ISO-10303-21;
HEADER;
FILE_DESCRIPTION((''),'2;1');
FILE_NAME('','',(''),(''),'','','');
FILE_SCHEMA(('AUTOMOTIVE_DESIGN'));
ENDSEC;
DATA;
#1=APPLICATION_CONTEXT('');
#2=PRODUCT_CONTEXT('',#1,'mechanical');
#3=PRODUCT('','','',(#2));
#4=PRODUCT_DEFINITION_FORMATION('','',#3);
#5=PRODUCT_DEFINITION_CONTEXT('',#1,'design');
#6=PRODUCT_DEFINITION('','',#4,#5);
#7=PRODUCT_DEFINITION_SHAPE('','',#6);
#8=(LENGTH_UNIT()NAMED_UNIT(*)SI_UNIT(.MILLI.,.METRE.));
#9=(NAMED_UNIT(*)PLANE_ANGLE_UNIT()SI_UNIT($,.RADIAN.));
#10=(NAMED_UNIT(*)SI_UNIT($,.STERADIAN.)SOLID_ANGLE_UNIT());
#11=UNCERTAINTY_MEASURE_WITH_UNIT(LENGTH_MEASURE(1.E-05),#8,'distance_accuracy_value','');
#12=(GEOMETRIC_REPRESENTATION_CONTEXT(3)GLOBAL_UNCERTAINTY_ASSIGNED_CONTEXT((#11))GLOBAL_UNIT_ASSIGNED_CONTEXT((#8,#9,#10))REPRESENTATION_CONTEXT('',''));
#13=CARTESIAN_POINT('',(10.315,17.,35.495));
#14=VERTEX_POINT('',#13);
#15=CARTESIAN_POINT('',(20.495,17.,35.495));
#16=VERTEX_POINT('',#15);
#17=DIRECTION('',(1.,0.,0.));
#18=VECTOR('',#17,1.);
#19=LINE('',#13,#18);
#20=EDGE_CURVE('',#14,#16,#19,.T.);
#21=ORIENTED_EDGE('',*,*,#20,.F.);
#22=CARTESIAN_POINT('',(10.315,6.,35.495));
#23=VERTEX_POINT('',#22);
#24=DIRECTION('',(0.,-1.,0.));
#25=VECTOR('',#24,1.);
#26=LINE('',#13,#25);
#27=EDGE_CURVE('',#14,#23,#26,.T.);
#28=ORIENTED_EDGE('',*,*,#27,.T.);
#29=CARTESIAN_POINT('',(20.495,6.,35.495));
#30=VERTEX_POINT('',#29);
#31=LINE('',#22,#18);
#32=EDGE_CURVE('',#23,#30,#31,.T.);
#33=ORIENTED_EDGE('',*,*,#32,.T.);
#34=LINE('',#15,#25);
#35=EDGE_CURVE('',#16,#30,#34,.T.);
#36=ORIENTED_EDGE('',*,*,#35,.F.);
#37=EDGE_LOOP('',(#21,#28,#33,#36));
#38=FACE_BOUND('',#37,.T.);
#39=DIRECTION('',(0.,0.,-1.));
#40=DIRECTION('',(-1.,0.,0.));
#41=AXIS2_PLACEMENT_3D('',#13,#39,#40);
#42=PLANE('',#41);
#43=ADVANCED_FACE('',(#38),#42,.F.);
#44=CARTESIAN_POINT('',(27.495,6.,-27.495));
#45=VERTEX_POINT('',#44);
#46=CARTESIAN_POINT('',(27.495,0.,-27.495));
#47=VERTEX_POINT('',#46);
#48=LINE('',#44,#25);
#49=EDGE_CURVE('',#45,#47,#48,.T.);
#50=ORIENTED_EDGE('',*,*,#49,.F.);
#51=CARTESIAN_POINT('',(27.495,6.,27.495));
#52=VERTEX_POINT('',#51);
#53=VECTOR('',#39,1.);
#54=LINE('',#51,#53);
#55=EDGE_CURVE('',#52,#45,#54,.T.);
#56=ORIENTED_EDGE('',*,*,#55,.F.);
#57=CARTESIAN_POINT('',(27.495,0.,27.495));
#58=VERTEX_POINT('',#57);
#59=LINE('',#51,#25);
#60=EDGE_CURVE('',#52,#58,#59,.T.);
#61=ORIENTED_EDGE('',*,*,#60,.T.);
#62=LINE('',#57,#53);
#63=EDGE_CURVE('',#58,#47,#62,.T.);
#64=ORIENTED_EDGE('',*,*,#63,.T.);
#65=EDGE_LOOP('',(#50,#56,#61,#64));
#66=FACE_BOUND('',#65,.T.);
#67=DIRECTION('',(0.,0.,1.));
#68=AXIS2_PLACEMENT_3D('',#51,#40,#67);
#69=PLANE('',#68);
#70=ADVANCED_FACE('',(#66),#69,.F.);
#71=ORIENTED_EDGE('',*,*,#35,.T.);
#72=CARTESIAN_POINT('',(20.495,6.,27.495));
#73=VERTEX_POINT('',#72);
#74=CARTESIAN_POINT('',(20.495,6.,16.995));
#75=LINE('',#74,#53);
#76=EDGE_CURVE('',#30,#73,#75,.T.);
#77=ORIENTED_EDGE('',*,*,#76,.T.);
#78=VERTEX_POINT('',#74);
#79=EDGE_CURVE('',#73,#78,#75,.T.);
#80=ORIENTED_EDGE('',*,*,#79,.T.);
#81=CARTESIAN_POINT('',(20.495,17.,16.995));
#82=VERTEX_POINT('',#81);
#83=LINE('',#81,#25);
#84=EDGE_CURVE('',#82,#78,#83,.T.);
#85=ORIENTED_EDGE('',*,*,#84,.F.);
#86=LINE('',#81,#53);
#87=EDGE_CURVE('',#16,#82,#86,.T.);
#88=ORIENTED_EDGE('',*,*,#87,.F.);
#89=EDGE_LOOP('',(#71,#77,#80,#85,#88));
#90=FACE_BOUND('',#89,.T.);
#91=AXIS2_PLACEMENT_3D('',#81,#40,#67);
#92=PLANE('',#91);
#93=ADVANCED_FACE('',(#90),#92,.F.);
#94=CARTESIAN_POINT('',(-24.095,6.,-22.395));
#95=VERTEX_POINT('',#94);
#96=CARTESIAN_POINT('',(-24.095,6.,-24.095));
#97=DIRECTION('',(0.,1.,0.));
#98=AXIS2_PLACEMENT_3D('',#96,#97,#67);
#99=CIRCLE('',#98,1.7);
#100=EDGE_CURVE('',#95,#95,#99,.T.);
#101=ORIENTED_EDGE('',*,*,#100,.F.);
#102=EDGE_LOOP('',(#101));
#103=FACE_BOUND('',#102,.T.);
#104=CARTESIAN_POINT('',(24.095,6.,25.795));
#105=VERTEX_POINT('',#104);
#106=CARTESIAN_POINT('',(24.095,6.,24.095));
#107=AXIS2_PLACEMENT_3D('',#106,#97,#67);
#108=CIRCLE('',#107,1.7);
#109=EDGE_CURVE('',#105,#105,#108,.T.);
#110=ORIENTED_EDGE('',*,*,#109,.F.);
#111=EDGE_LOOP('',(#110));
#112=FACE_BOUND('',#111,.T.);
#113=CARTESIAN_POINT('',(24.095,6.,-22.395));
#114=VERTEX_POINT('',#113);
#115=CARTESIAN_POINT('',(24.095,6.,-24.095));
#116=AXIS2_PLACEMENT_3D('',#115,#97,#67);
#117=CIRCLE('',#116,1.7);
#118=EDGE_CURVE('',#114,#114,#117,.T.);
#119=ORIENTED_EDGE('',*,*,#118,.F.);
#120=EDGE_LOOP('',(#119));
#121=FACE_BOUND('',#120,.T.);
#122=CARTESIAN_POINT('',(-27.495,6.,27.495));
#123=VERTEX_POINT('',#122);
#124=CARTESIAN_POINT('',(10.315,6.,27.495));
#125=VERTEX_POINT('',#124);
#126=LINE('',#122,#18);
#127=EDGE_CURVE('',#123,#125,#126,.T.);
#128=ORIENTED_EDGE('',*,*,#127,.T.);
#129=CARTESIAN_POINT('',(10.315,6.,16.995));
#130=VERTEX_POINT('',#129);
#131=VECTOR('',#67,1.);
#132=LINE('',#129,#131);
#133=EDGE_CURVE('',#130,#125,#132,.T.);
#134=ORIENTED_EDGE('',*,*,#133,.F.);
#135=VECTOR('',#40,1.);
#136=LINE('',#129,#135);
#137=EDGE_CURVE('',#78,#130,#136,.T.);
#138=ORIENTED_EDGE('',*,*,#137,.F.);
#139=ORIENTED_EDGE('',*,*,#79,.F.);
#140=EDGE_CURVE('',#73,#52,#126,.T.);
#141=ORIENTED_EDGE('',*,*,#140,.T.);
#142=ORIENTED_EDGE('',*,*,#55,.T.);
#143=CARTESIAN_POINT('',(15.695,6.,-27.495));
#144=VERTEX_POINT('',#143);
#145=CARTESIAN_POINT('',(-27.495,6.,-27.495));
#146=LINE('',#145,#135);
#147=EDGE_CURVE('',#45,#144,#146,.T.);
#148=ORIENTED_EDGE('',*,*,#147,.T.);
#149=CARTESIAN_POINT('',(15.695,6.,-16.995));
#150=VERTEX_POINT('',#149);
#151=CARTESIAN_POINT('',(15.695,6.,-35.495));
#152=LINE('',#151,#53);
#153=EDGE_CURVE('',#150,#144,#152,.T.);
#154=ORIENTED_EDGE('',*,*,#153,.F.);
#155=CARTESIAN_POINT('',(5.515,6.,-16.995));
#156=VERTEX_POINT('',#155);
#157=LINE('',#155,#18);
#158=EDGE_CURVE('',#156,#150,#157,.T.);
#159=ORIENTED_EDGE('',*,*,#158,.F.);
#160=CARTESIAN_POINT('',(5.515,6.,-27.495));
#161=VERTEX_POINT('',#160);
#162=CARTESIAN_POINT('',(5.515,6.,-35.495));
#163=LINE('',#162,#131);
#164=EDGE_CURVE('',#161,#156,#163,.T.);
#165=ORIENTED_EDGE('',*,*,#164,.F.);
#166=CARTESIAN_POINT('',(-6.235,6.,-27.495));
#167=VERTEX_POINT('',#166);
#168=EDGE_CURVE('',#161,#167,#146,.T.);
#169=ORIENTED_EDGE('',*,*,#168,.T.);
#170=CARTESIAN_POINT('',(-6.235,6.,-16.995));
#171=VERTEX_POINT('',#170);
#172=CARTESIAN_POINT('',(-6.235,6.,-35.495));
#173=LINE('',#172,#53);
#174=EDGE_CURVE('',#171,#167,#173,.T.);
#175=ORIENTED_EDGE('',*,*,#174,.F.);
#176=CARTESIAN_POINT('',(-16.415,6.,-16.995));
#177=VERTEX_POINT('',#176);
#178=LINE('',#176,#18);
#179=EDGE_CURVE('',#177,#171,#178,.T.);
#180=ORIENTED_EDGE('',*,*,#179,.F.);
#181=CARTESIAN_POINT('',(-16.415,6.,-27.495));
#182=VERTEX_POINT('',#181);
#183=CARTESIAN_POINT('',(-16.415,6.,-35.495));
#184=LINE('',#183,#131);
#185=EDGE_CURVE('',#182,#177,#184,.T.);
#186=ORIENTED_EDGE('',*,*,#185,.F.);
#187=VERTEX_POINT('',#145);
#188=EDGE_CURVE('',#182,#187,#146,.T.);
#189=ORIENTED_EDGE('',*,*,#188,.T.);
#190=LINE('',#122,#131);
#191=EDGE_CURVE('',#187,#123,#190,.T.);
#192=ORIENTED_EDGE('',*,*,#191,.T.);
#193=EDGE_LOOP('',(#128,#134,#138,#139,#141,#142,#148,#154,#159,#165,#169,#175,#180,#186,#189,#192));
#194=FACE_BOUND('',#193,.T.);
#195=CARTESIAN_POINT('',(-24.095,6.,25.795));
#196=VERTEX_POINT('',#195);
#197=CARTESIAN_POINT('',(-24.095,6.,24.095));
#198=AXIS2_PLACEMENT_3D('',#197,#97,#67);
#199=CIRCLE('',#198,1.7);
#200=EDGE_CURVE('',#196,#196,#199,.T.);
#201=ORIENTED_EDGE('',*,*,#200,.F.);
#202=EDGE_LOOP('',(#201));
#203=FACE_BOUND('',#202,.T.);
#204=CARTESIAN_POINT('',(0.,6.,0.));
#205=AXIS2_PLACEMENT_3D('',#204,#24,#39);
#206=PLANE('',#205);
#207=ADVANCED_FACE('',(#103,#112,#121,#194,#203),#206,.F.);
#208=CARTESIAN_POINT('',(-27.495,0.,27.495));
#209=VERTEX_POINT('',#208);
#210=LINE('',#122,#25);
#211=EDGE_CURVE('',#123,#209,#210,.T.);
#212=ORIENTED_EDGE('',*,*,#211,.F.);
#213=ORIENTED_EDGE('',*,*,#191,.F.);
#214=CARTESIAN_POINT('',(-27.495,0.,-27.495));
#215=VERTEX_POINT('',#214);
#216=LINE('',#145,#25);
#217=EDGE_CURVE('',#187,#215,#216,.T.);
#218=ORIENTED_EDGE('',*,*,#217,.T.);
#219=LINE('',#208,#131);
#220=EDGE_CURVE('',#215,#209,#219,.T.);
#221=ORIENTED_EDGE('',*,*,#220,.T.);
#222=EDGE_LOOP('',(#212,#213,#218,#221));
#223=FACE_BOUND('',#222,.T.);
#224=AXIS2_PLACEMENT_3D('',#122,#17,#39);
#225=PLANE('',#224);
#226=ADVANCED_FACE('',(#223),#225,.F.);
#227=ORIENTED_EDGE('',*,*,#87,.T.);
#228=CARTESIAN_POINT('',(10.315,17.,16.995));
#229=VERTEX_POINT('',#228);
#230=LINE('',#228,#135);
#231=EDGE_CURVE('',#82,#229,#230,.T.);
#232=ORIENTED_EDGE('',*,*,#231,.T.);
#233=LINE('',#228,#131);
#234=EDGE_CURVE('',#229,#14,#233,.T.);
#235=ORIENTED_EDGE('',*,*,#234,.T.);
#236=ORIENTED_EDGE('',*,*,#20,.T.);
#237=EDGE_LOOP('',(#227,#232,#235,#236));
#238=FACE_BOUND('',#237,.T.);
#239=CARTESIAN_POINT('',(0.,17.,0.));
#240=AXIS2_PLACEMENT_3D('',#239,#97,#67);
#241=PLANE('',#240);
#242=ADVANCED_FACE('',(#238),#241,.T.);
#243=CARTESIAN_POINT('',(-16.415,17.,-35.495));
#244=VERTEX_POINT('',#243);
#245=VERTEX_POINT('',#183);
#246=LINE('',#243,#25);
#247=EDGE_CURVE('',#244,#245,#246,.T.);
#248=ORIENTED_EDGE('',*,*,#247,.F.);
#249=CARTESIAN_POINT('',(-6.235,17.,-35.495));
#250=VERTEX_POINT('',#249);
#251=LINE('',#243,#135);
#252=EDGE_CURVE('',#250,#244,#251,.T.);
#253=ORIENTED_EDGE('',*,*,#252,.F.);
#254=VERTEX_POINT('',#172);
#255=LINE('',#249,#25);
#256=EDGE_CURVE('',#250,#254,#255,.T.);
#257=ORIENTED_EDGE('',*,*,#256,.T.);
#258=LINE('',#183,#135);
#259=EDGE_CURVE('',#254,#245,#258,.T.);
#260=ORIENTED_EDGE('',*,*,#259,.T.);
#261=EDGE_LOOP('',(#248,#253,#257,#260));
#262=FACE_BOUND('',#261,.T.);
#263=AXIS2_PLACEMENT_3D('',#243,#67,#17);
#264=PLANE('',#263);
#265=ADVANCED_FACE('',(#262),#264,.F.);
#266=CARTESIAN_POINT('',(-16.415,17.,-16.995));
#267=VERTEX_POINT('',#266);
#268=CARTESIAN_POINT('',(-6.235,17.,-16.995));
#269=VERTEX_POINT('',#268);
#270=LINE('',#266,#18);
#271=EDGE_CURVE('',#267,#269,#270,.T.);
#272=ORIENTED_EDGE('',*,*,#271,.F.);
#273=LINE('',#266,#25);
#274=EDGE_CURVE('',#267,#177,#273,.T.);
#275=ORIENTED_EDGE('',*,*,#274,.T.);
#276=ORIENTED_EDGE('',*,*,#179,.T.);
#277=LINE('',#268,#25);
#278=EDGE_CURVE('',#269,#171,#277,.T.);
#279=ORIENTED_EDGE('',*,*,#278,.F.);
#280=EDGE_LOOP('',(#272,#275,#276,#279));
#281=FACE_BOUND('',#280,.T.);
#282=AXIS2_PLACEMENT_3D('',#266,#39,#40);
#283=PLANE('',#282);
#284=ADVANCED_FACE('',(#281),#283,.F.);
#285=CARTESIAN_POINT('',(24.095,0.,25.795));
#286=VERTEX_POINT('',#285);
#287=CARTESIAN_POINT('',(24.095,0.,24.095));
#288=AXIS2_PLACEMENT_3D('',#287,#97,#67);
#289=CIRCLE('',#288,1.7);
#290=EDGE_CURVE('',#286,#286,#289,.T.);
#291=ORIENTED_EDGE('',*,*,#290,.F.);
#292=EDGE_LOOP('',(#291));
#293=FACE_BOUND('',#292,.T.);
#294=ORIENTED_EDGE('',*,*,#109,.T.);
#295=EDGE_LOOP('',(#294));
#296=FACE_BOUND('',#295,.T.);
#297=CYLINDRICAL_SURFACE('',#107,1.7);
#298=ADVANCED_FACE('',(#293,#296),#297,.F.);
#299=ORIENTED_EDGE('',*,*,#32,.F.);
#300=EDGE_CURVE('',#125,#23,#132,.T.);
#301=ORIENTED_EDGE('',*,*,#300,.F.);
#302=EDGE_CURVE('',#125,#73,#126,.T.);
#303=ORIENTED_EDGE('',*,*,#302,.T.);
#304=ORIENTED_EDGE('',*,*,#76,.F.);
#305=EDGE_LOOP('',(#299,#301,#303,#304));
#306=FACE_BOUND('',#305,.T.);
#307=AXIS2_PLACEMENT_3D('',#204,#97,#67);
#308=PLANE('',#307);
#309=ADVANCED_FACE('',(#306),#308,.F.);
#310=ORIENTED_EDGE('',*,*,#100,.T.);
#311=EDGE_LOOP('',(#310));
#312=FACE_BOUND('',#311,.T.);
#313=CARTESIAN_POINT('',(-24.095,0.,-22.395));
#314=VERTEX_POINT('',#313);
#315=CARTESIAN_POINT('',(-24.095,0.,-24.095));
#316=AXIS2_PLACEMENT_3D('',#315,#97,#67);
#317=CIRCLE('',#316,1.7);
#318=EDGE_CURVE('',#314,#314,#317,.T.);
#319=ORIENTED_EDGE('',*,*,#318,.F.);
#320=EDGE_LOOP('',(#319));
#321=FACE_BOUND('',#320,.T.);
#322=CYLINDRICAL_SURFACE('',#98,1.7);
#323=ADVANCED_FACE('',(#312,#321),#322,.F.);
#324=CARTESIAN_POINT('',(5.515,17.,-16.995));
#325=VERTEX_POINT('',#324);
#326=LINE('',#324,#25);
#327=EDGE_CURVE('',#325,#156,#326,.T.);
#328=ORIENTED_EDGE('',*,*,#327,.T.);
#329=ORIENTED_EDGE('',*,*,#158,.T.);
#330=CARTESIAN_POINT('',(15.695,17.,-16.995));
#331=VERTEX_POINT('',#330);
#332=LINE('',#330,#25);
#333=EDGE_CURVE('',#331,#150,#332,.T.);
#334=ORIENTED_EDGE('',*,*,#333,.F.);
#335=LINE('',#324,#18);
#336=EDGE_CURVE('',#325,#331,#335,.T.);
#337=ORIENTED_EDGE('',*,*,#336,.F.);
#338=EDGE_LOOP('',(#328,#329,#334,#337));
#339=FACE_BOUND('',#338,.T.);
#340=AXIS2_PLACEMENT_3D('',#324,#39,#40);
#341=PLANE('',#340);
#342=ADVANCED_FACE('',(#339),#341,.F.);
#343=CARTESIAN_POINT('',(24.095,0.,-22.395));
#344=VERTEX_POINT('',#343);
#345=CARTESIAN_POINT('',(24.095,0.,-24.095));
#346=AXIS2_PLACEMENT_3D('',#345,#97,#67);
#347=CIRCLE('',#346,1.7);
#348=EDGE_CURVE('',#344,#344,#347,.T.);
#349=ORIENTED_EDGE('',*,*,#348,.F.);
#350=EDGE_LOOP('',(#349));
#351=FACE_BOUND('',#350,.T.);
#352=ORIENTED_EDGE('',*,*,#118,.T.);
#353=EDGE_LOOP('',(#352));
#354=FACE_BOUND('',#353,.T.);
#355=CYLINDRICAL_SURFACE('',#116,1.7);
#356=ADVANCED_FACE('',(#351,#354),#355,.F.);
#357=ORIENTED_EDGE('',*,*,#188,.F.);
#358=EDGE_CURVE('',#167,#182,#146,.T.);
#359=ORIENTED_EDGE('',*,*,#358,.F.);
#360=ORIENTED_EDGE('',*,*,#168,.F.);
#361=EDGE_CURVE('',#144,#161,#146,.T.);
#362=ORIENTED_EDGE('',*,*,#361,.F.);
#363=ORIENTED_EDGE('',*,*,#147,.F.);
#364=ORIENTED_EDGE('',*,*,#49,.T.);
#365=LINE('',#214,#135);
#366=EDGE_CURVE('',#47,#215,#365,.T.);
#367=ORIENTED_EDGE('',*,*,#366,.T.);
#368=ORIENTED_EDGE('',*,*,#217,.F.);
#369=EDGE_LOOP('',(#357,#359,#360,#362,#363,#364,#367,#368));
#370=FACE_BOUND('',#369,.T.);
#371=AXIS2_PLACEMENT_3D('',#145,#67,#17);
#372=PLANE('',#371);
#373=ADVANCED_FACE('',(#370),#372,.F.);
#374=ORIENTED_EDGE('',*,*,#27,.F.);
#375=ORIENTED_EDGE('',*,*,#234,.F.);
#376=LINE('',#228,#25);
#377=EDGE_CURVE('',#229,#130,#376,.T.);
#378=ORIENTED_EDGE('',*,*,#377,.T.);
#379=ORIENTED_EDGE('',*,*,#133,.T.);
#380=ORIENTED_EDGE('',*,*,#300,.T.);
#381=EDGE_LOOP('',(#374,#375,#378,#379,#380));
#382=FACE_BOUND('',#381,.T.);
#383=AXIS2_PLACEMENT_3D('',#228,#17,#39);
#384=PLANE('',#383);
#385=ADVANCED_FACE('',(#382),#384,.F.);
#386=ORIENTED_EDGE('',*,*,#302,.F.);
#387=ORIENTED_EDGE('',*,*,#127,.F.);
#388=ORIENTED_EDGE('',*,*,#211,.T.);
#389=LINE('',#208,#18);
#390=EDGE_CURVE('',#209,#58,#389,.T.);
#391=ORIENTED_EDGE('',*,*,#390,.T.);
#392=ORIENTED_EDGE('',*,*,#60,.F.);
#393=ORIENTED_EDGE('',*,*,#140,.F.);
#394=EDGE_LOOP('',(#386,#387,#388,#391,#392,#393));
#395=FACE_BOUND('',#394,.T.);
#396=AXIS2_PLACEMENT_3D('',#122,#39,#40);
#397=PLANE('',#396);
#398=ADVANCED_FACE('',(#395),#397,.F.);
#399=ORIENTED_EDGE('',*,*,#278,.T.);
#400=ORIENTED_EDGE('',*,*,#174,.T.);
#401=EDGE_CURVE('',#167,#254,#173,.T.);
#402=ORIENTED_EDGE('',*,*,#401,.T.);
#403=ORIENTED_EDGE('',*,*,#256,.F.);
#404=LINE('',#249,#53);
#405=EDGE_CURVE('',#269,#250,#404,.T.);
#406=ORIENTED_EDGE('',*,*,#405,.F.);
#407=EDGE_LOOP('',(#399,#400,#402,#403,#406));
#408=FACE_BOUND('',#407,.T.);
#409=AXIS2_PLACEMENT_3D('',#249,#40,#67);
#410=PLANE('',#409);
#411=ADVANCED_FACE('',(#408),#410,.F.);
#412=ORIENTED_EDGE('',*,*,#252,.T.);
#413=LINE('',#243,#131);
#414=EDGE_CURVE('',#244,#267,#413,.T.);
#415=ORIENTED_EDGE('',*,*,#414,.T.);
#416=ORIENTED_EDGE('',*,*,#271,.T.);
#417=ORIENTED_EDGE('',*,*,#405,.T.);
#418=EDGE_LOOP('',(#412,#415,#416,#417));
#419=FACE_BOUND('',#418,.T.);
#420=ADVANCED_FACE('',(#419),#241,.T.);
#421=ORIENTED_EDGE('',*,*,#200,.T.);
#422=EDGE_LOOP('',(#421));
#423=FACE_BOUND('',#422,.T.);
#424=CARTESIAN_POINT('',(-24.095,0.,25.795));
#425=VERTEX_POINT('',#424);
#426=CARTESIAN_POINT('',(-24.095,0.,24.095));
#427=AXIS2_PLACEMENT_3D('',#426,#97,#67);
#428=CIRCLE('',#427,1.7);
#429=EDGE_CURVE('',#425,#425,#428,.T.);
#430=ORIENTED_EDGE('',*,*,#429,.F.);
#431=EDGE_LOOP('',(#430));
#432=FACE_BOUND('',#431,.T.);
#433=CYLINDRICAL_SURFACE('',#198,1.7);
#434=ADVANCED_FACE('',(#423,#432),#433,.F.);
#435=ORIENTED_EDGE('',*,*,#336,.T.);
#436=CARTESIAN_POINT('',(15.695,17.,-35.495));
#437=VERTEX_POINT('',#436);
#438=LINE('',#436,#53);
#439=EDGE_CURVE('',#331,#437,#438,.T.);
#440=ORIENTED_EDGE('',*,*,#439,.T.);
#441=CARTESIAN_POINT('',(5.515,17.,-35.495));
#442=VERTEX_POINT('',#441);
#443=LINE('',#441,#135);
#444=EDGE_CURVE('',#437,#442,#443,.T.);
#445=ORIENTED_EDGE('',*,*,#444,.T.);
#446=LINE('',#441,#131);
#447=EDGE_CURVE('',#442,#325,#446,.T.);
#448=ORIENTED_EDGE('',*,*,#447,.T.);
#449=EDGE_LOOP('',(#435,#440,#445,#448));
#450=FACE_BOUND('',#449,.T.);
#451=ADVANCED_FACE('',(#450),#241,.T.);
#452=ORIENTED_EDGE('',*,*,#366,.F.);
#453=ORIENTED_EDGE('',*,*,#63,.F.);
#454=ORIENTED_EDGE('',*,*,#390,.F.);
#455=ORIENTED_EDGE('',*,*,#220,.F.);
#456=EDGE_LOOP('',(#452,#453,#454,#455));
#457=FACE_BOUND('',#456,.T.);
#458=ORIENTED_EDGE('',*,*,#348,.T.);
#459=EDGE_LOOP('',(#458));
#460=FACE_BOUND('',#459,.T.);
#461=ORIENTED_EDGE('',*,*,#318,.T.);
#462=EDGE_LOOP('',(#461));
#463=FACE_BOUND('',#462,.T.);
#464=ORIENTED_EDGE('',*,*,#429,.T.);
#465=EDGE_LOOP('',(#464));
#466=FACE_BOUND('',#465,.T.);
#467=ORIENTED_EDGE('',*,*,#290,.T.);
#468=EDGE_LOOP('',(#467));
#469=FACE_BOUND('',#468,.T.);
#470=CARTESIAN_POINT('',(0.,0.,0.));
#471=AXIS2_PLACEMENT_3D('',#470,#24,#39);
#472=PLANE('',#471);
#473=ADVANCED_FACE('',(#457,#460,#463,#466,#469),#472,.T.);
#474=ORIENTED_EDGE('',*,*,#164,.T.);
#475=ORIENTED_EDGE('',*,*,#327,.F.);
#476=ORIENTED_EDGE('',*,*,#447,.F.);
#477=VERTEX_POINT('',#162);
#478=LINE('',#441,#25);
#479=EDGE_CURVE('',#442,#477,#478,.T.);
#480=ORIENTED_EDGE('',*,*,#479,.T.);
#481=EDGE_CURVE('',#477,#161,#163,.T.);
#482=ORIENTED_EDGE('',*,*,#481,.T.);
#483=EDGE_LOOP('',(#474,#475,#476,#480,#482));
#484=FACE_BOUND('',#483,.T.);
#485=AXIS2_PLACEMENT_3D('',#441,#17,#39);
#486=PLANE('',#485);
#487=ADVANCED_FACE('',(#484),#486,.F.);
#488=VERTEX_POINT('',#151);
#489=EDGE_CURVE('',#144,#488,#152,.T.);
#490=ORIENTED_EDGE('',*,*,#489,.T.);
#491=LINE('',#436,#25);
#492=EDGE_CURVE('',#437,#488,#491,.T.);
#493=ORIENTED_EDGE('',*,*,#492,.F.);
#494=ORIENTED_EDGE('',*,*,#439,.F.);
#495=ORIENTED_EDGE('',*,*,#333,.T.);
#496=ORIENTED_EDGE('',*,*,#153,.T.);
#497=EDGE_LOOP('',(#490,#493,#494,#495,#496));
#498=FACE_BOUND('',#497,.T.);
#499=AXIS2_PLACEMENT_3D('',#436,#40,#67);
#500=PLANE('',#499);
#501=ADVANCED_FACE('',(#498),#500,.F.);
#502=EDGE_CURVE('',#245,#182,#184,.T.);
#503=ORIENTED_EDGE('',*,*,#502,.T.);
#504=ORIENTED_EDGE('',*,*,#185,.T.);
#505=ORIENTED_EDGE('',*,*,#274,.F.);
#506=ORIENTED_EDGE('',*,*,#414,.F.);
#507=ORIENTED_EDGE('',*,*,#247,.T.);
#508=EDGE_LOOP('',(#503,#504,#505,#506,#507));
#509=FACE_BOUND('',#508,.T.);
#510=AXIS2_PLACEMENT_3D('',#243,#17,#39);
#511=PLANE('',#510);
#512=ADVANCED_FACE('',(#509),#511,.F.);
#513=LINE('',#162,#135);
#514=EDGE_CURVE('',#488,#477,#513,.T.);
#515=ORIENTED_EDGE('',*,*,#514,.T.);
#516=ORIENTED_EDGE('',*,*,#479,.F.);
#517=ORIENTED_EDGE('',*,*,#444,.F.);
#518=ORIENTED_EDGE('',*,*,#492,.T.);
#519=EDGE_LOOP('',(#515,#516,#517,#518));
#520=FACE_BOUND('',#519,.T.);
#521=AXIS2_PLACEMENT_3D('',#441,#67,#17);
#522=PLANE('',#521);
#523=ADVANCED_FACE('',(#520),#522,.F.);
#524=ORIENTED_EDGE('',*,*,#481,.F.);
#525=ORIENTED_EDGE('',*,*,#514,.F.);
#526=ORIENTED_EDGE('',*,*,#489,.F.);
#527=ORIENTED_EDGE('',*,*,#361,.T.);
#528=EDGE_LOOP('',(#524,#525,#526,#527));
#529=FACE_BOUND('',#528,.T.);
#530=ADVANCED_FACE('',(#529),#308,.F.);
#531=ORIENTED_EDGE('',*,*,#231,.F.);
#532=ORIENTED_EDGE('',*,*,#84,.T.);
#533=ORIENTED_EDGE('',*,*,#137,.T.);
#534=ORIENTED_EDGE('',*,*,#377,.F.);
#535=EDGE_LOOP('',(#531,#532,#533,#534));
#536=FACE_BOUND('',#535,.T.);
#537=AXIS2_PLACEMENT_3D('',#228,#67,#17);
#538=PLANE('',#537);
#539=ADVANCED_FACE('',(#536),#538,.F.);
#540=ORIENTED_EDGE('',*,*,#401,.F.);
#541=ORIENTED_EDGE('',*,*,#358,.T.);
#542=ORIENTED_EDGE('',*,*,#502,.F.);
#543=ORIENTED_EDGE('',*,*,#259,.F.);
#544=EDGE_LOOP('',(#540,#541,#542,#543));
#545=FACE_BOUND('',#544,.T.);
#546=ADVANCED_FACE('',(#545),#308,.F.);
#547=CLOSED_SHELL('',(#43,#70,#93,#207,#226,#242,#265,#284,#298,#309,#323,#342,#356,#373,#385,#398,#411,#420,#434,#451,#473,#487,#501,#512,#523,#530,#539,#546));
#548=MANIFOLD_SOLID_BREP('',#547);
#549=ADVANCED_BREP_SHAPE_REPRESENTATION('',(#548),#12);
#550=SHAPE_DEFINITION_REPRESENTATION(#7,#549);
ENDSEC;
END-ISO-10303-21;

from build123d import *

# Parameters (mm, degrees)
SKETCH1_W            = 54.99
SKETCH1_H            = 54.99
BOSS_EXTRUDE1_DEPTH  = 6
M3_CLEARANCE_HOLE2_D = 3.4
SKETCH8_W            = 10.18
SKETCH8_H            = 18.5
BOSS_EXTRUDE2_DEPTH  = 11


with BuildPart() as part:
    # Sketch1 → Boss-Extrude1 (new body)
    with BuildSketch(Plane(origin=(0, 0, 0), x_dir=(1, 0, 0), z_dir=(0, 1, 0))):
        Rectangle(SKETCH1_W, SKETCH1_H)
    extrude(amount=BOSS_EXTRUDE1_DEPTH)

    # M3 Clearance Hole2 (through all)
    with Locations(Plane(origin=(0, 6, 0), x_dir=(1, 0, 0), z_dir=(0, 1, 0))):
        with Locations((-24.095, 24.095), (24.095, 24.095), (24.095, -24.095), (-24.095, -24.095)):
            Hole(M3_CLEARANCE_HOLE2_D / 2)

    # Sketch8 → Boss-Extrude2 (add)
    with BuildSketch(Plane(origin=(0, 6, 0), x_dir=(1, 0, 0), z_dir=(0, 1, 0))):
        with Locations((-11.325, 26.245)):
            Rectangle(SKETCH8_W, SKETCH8_H)
        with Locations((10.605, 26.245)):
            Rectangle(SKETCH8_W, SKETCH8_H)
        with Locations((15.405, -26.245)):
            Rectangle(SKETCH8_W, SKETCH8_H)
    extrude(amount=BOSS_EXTRUDE2_DEPTH)


solid = part.part
